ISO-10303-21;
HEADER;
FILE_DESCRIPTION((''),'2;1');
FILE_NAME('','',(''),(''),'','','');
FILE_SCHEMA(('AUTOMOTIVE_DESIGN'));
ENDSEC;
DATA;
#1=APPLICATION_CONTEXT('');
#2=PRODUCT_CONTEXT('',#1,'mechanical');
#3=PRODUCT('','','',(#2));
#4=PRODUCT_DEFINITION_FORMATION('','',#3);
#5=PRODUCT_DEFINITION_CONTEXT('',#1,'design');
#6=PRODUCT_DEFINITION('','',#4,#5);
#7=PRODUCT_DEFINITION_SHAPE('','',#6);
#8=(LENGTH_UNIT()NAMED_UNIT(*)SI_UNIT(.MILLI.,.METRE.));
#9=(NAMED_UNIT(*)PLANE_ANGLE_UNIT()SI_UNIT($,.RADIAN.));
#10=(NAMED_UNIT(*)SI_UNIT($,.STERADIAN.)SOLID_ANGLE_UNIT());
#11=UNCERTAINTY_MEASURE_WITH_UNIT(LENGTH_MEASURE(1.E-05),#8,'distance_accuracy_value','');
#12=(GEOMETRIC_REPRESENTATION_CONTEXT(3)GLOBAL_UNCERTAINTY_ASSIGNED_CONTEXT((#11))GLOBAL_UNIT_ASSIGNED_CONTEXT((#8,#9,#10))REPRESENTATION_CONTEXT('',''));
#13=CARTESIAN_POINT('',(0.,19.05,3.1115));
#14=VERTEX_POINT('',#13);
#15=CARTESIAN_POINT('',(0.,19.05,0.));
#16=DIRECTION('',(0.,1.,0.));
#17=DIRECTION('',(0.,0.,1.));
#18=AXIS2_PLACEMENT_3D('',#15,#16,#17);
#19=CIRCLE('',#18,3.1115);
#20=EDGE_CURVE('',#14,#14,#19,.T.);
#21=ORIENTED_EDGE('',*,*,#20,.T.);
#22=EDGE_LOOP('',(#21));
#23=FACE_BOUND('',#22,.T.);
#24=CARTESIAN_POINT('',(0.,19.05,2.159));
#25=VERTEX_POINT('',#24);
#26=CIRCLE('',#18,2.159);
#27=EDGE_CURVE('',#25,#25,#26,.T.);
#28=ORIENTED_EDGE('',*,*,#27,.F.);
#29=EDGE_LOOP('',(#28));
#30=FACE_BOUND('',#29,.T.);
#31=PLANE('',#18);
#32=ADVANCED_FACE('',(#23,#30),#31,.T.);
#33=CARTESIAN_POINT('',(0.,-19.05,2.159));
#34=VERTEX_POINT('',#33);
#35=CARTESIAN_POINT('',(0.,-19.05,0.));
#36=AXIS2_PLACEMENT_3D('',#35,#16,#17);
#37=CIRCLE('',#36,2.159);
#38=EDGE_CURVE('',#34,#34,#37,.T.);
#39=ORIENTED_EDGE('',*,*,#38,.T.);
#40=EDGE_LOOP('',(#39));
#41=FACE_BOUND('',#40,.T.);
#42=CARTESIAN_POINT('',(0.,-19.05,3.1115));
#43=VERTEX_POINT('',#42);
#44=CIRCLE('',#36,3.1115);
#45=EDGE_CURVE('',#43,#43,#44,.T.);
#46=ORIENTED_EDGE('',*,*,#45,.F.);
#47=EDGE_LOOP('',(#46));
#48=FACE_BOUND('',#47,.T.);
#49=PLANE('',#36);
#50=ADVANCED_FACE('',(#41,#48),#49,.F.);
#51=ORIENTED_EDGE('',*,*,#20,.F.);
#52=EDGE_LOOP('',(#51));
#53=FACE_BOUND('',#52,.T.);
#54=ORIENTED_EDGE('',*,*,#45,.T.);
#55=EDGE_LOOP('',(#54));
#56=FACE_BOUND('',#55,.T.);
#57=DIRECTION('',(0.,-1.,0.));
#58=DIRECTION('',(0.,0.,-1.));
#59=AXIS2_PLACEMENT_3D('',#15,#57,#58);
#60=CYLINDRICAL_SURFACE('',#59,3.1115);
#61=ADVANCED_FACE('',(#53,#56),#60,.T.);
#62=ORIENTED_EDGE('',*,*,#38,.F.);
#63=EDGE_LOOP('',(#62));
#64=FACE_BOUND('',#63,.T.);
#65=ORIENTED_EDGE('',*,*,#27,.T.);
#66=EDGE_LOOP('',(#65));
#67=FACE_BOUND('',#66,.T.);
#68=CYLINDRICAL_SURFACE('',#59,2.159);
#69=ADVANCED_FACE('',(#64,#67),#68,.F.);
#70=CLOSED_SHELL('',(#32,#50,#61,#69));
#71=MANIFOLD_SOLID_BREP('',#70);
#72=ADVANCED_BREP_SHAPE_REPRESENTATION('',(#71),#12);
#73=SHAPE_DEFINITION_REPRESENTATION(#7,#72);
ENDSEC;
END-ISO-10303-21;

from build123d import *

# Parameters (mm, degrees)
SKETCH1_R           = 3.1115
SKETCH1_R_2         = 2.159
BOSS_EXTRUDE1_DEPTH = 19.05


with BuildPart() as part:
    # Sketch1 → Boss-Extrude1 (new body, symmetric)
    with BuildSketch(Plane(origin=(0, 0, 0), x_dir=(1, 0, 0), z_dir=(0, 1, 0))):
        Circle(SKETCH1_R)
        Circle(SKETCH1_R_2, mode=Mode.SUBTRACT)
    extrude(amount=BOSS_EXTRUDE1_DEPTH, both=True)


solid = part.part
